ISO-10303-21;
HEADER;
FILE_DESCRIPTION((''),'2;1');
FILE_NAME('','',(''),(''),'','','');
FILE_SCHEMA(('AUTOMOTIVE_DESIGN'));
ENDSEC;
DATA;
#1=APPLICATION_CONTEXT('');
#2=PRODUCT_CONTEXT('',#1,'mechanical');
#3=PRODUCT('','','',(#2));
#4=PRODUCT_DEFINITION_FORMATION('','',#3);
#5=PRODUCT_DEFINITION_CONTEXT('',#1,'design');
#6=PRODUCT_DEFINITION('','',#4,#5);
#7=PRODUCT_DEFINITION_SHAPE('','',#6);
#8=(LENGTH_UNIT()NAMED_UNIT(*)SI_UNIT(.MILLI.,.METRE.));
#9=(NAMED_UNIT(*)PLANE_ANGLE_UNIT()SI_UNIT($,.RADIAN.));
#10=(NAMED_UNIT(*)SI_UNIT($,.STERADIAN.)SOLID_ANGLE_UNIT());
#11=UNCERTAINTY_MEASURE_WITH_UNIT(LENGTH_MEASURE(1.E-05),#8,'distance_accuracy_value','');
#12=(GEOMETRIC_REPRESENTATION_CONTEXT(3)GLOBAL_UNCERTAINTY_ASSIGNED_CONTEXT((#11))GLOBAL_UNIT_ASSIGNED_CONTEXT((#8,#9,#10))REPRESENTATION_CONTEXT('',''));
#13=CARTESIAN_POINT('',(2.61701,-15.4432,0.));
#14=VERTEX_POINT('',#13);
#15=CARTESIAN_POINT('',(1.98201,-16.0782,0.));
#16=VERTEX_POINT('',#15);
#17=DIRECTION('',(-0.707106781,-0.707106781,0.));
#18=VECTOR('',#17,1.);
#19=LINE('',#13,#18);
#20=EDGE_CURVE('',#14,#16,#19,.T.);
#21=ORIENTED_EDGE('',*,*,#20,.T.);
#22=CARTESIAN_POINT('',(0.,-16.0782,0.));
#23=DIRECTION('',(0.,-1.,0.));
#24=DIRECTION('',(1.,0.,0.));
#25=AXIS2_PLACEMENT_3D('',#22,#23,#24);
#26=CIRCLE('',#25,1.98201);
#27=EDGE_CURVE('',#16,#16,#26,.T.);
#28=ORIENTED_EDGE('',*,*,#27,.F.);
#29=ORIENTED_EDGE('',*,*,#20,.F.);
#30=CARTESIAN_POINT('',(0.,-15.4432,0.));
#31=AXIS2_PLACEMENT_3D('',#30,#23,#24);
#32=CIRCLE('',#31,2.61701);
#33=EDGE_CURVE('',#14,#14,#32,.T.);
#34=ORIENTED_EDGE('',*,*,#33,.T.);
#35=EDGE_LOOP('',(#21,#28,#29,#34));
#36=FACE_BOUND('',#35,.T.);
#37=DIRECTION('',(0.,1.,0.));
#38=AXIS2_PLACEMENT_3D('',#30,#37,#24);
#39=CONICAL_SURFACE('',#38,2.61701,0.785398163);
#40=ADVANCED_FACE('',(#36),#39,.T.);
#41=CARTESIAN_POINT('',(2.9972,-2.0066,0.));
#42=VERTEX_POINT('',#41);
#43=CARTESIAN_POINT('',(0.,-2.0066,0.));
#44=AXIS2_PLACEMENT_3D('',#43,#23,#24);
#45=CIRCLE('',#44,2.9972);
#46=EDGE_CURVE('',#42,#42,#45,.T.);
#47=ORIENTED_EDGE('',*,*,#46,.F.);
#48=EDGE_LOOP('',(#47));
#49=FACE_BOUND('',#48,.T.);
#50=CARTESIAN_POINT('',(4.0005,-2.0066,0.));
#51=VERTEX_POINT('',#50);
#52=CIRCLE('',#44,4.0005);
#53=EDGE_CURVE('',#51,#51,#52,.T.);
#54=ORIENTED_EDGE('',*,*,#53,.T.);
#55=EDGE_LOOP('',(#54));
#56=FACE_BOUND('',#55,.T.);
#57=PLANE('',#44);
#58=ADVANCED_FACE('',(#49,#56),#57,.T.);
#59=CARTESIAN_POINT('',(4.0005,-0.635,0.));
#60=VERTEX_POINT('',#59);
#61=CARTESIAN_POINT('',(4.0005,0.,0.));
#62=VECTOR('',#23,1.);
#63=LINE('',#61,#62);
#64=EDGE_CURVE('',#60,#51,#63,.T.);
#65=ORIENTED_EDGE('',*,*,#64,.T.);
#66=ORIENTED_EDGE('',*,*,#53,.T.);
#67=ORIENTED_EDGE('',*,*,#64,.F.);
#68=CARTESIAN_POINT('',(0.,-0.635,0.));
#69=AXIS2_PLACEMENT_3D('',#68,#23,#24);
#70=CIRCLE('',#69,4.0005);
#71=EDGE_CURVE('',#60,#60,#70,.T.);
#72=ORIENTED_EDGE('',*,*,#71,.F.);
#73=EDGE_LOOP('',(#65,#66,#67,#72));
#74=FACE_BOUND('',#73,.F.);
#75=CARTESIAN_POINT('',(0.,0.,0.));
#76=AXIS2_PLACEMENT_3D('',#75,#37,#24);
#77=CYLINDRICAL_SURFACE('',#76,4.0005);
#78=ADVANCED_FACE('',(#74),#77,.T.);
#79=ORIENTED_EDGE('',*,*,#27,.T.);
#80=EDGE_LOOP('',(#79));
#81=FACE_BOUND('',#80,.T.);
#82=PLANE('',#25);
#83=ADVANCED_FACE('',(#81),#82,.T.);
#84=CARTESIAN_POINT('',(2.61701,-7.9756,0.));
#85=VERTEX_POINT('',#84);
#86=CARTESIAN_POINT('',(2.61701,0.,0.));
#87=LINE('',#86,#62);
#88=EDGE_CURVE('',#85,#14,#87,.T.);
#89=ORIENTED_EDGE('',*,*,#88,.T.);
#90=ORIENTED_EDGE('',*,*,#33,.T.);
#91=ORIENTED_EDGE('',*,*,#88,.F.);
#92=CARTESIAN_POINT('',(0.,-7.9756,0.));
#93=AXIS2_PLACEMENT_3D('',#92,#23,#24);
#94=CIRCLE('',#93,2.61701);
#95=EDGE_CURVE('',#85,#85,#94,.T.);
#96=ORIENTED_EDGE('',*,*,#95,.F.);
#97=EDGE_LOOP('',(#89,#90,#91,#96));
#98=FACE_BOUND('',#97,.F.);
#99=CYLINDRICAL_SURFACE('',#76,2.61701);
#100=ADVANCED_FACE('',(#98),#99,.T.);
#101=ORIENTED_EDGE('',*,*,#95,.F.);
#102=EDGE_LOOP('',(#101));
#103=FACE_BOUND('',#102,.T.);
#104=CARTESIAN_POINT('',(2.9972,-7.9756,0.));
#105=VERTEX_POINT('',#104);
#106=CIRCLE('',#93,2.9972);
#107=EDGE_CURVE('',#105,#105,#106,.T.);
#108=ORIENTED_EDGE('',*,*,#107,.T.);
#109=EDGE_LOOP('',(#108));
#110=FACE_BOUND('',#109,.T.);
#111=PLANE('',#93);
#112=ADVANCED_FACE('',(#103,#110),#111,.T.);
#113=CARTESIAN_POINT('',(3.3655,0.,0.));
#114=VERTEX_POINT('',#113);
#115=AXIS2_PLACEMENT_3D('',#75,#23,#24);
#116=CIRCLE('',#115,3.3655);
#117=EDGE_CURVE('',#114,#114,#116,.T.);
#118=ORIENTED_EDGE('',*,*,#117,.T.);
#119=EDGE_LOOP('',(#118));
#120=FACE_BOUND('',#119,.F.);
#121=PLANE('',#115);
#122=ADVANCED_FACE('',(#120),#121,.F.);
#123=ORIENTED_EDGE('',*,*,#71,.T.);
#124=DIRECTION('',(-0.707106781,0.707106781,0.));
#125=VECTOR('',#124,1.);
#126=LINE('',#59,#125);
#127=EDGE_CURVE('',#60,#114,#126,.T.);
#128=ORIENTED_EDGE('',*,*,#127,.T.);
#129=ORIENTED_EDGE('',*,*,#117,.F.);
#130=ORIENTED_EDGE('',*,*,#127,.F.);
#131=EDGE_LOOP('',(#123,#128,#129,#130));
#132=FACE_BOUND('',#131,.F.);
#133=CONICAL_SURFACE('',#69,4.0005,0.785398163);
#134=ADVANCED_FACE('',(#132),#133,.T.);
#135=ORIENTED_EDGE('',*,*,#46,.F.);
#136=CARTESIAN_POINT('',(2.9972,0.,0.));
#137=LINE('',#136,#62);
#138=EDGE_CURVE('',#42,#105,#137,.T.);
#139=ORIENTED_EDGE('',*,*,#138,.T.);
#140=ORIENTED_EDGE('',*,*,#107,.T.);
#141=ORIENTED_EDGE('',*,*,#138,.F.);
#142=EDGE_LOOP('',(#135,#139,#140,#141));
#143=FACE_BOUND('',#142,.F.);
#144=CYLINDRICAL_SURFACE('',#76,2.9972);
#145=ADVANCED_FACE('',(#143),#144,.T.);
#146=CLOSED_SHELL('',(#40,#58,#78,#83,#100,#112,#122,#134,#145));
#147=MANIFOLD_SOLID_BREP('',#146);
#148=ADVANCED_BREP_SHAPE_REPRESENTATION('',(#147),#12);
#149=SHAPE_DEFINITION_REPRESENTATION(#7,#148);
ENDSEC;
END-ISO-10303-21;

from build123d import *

# Parameters (mm, degrees)
F0_R     = 2.9972
F0_R_2   = 2.61701
F1_DEPTH = 7.9756
F0_R_3   = 4.0005
F2_DEPTH = 2.0066
F3_DEPTH = 16.0782
F4_SIZE  = 0.635


with BuildPart() as f1:
    # F0 (on Front) → F1 (new body)
    with BuildSketch(Plane.XZ):
        Circle(F0_R)
        Circle(F0_R_2, mode=Mode.SUBTRACT)
    extrude(amount=F1_DEPTH)

    # F0 (on Front) → F2 (join)
    with BuildSketch(Plane.XZ):
        Circle(F0_R_3)
        Circle(F0_R, mode=Mode.SUBTRACT)
    extrude(amount=F2_DEPTH)

    # F0 (on Front) → F3 (join)
    with BuildSketch(Plane.XZ):
        Circle(F0_R_2)
    extrude(amount=F3_DEPTH)

    # F4
    f4_edges = [f1.edges().sort_by_distance(p)[0] for p in [
        (-4.0005, 0, 0),
        (-2.61701, -16.0782, 0),
    ]]
    chamfer(f4_edges, length=F4_SIZE)


solid = f1.part
